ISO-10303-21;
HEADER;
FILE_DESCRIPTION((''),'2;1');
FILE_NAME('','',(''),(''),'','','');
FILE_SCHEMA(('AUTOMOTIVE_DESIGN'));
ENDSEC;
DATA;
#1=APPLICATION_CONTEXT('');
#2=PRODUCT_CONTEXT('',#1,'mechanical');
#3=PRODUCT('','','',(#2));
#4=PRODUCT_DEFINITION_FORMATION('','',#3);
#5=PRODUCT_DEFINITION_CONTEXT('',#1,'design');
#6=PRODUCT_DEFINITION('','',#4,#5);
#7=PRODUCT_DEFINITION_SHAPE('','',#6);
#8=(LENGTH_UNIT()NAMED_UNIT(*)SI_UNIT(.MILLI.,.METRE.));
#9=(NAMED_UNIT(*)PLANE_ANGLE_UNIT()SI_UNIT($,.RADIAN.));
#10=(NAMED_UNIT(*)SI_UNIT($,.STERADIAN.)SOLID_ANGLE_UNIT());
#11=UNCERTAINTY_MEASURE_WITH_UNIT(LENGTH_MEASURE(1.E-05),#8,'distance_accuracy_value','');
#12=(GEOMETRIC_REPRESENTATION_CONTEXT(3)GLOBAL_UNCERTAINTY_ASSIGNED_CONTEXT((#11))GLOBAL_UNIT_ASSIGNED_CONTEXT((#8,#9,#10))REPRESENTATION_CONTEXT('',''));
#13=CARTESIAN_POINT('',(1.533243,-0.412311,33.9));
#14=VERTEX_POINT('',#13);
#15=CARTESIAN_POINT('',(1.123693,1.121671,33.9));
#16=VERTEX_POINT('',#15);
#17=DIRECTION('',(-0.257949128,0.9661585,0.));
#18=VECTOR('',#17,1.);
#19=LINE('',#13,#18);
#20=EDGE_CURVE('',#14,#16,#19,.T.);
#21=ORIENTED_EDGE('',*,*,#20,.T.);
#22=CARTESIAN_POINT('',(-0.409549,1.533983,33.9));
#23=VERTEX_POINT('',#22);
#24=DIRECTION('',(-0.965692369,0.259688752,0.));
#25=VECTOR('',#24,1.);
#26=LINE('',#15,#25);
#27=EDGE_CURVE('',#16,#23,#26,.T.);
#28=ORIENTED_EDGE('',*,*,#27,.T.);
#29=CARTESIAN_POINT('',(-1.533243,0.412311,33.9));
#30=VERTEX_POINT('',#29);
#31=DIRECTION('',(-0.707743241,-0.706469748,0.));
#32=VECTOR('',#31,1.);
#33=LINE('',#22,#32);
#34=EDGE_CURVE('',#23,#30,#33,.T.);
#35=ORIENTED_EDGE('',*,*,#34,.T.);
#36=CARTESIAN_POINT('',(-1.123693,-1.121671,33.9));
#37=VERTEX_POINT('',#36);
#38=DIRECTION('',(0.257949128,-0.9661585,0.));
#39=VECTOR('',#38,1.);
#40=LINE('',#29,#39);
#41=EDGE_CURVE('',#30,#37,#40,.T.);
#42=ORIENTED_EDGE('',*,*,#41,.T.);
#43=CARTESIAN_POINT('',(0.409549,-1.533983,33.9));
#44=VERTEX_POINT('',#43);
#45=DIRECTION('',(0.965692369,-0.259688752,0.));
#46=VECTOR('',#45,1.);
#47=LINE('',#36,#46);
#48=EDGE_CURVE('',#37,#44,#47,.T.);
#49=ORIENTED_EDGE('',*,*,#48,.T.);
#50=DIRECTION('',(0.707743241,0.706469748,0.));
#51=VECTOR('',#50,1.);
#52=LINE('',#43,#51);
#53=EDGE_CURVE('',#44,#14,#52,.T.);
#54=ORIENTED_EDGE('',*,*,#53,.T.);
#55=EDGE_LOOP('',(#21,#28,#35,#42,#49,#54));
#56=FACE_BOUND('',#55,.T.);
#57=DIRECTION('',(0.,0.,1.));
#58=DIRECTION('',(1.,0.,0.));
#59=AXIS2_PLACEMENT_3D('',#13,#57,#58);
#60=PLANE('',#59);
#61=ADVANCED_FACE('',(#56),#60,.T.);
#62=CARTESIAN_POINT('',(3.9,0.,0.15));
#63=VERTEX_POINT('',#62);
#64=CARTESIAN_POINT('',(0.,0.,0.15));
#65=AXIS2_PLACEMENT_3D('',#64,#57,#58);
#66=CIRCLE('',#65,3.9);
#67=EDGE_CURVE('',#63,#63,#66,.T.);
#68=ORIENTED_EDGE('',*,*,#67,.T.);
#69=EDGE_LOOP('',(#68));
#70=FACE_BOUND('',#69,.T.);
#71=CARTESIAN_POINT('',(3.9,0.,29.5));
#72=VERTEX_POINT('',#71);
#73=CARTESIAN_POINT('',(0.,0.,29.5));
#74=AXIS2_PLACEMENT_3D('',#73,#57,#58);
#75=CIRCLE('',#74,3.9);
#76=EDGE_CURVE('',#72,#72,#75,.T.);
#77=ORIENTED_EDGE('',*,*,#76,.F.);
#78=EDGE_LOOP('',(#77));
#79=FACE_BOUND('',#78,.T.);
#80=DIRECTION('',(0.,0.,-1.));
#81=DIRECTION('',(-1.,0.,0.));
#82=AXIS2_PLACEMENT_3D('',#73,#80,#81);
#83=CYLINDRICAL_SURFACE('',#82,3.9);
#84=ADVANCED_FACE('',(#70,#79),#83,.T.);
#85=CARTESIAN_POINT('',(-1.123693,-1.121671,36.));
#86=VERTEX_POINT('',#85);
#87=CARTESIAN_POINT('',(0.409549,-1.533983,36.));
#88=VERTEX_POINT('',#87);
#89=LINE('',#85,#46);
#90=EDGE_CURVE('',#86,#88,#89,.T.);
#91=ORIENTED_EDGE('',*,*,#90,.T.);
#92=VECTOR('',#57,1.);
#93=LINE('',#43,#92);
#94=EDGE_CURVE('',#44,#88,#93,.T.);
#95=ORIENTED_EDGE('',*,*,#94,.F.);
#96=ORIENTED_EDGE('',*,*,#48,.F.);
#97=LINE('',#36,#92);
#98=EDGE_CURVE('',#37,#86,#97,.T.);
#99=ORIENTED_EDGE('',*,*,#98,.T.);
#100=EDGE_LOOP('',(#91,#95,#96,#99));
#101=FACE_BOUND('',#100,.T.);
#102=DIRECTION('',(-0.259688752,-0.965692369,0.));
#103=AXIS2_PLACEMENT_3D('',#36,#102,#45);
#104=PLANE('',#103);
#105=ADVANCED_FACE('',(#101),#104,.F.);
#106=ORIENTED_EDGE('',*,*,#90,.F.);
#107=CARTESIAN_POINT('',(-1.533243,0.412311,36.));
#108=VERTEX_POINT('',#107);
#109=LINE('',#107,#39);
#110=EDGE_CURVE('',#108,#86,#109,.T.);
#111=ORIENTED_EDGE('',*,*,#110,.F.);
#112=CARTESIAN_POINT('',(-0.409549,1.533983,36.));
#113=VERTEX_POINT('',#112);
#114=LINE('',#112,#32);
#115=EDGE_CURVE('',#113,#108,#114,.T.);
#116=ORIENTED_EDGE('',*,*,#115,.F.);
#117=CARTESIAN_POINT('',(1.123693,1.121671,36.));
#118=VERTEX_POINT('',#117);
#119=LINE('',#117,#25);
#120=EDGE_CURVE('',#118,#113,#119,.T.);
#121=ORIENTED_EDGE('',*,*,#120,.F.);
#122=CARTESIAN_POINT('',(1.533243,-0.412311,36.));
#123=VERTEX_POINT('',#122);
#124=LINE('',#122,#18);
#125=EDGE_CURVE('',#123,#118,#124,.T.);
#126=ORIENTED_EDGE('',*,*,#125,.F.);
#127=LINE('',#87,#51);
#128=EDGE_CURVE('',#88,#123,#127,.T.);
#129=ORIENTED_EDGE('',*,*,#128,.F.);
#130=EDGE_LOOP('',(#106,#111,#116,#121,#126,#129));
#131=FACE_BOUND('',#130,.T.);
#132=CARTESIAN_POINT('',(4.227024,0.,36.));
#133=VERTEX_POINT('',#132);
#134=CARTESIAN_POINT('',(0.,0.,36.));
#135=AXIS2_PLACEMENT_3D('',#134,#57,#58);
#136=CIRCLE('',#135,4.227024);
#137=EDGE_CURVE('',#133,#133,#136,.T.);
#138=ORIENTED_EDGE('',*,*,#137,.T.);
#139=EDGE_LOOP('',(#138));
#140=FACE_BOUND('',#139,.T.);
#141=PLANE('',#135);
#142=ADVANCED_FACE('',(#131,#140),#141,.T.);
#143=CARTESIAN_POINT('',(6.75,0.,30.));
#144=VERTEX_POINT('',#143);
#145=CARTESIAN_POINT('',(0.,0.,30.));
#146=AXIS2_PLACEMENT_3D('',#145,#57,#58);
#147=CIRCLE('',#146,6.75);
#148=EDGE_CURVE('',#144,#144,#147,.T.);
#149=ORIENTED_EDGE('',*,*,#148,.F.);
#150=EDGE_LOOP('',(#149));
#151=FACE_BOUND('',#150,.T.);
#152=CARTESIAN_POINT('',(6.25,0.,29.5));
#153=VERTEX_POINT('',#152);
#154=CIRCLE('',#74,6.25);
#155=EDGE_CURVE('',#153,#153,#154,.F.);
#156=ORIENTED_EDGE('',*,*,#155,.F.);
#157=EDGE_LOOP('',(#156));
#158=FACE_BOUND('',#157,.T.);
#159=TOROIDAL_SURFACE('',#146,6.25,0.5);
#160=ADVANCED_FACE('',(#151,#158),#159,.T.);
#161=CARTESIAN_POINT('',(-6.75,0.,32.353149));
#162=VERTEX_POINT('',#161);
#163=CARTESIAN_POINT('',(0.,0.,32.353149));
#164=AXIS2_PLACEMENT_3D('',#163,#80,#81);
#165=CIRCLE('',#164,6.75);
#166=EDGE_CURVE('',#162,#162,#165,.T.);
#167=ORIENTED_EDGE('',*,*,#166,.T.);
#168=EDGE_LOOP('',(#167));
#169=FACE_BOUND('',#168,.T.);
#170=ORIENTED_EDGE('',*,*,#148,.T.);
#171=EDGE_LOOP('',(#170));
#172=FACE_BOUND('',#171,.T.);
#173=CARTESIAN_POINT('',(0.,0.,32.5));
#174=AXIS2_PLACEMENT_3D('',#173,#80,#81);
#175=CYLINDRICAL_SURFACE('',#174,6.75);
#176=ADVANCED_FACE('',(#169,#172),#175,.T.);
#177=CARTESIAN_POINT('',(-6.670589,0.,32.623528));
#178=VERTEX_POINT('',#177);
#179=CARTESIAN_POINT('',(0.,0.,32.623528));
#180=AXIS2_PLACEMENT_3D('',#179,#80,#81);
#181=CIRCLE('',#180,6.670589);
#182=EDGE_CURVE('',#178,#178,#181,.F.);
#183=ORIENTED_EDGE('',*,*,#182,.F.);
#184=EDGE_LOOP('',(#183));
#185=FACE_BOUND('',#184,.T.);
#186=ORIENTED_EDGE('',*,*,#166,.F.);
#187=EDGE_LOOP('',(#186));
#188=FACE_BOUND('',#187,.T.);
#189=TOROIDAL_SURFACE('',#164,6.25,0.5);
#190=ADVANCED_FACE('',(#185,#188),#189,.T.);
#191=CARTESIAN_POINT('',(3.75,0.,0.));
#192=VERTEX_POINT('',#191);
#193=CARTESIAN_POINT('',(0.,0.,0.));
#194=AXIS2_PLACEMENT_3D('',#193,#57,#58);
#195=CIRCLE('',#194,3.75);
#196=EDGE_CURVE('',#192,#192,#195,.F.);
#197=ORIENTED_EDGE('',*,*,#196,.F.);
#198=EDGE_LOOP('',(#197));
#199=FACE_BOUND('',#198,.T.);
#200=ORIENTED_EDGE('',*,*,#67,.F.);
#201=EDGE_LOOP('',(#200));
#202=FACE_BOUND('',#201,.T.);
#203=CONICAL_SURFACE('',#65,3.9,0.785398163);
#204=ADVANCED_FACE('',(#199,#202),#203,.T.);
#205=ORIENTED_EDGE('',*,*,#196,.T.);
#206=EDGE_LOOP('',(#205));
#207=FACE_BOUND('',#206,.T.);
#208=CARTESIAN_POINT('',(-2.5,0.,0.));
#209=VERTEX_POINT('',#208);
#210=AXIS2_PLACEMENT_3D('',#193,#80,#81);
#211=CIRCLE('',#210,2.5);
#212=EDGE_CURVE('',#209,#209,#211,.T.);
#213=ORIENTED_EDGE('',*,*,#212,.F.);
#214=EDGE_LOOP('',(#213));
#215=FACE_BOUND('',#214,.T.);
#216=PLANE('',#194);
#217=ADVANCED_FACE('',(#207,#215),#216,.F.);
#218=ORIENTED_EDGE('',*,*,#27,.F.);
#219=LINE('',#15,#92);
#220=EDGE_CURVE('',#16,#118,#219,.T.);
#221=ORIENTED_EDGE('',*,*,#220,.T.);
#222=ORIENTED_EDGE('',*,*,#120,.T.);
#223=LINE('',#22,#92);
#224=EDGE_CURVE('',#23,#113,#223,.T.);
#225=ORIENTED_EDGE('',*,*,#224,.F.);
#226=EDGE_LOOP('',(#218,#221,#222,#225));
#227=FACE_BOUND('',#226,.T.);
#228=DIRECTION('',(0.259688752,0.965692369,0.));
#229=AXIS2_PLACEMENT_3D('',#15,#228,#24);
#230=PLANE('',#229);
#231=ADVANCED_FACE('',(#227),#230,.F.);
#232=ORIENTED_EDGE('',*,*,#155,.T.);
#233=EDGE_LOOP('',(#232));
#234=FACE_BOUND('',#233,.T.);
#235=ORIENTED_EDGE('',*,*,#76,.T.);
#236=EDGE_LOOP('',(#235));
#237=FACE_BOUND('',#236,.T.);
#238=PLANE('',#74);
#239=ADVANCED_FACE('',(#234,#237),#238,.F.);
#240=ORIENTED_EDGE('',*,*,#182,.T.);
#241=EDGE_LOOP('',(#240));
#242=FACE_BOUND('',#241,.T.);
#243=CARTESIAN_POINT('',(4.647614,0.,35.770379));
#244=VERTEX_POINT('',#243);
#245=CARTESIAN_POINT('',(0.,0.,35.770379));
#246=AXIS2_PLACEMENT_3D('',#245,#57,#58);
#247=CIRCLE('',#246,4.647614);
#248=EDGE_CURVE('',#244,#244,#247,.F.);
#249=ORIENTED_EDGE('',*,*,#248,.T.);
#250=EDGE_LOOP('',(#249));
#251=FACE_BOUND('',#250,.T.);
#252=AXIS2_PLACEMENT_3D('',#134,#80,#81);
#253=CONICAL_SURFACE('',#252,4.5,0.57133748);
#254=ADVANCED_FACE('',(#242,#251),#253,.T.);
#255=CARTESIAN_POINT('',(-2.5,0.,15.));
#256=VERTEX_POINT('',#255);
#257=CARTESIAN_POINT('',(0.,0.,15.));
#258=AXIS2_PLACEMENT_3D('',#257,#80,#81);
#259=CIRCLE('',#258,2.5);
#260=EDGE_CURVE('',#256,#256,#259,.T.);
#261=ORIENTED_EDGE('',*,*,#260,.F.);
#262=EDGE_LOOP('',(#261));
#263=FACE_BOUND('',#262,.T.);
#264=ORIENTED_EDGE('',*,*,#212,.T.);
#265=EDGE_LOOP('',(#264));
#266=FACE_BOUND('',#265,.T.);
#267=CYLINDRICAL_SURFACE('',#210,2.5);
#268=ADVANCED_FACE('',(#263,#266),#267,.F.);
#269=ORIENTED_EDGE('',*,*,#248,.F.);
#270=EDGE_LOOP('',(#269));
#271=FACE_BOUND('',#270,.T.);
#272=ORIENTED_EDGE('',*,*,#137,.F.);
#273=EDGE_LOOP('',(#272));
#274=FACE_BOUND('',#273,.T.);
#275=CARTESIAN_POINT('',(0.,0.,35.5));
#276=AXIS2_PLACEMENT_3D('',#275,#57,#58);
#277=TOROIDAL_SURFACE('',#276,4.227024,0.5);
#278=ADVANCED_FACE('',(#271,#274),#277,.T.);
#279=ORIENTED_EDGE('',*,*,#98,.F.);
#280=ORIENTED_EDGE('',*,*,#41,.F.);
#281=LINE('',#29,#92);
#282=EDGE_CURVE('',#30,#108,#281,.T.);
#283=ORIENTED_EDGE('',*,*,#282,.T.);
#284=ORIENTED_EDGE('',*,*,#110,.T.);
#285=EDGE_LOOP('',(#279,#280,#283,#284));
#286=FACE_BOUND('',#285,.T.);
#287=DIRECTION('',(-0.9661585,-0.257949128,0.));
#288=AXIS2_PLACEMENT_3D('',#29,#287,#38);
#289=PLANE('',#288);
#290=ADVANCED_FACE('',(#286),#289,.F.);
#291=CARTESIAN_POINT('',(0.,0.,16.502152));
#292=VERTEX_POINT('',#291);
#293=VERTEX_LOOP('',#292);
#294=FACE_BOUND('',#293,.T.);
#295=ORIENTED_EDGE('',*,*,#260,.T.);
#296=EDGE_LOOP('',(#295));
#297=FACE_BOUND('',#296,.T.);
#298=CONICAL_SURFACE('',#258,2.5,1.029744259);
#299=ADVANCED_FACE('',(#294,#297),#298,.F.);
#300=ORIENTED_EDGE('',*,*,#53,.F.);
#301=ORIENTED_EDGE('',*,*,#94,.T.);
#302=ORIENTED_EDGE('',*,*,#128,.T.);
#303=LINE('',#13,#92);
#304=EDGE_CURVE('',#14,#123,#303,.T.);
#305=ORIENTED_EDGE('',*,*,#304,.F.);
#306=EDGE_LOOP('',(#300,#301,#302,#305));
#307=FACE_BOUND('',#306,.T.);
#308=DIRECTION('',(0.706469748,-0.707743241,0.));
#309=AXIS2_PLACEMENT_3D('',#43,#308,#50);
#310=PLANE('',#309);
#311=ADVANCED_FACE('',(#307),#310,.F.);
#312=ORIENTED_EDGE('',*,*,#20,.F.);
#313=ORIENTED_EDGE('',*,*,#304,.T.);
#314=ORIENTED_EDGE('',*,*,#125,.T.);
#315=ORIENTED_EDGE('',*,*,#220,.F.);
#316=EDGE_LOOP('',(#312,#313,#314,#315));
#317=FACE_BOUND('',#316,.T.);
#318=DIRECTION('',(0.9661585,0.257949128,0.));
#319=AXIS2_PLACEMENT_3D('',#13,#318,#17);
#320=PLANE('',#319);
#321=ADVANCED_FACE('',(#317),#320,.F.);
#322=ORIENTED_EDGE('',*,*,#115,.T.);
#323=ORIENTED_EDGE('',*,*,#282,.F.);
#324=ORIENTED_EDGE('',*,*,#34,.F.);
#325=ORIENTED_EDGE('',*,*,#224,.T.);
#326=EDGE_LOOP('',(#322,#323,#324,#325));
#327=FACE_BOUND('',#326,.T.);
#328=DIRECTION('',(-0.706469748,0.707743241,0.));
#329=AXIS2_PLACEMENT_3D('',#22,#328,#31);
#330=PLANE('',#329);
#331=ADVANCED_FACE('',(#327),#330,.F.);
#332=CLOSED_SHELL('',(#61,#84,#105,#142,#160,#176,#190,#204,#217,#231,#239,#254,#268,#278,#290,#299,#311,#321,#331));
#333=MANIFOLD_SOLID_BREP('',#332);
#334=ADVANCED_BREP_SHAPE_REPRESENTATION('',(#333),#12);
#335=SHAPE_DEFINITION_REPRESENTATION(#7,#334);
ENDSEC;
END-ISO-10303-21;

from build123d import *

# Parameters (mm, degrees)
SKETCH1_R             = 3.9
BOSS_EXTRUDE1_DEPTH   = 29.5
SKETCH2_R             = 6.75
BOSS_EXTRUDE2_DEPTH   = 3
SKETCH3_R             = 4.5
FILLET1_R             = 0.5
CUT_EXTRUDE1_DEPTH    = 2.1
M6_TAPPED_HOLE1_D     = 5
M6_TAPPED_HOLE1_DEPTH = 15
M6_TAPPED_HOLE1_TIP   = 1.502151548
CHAMFER1_SIZE         = 0.15


with BuildPart() as part:
    # Sketch1 → Boss-Extrude1 (new body)
    with BuildSketch(Plane.XY):
        Circle(SKETCH1_R)
    extrude(amount=BOSS_EXTRUDE1_DEPTH)

    # Sketch2 → Boss-Extrude2 (add)
    with BuildSketch(Plane.XY.offset(29.5)):
        Circle(SKETCH2_R)
    extrude(amount=BOSS_EXTRUDE2_DEPTH)

    # Sketch3 → section 1 of loft1
    with BuildSketch(Plane.XY.offset(36), mode=Mode.PRIVATE) as loft1_s1:
        Circle(SKETCH3_R)
    # loft up to a face of the part (loft1)
    loft([Face(Wire([part.edges().sort_by_distance((-4.620692965, 4.920538235, 32.5))[0]])), loft1_s1.sketch])

    # Fillet1
    fillet1_edges = [part.edges().sort_by_distance(p)[0] for p in [
        (-6.75, 0, 29.5),
        (-6.75, 0, 32.5),
        (-4.5, 0, 36),
    ]]
    fillet(fillet1_edges, radius=FILLET1_R)

    # Sketch6 → Cut-Extrude1 (cut)
    with BuildSketch(Plane.XY.offset(36)):
        Polygon((1.533242561, -0.412311271), (1.123693315, 1.121671372), (-0.409549246, 1.533982643), (-1.533242561, 0.412311271), (-1.123693315, -1.121671372), (0.409549246, -1.533982643), align=None)
    extrude(amount=-CUT_EXTRUDE1_DEPTH, mode=Mode.SUBTRACT)

    # M6 Tapped Hole1
    with Locations(Plane(origin=(0, 0, 0), x_dir=(-1, 0, 0), z_dir=(0, 0, -1))):
        with Locations((0, 0)):
            Hole(M6_TAPPED_HOLE1_D / 2, depth=M6_TAPPED_HOLE1_DEPTH)
            with Locations((0, 0, -(M6_TAPPED_HOLE1_DEPTH + M6_TAPPED_HOLE1_TIP / 2))):  # 118° drill point
                Cone(0, M6_TAPPED_HOLE1_D / 2, M6_TAPPED_HOLE1_TIP, mode=Mode.SUBTRACT)

    # Chamfer1
    chamfer1_edges = [part.edges().sort_by_distance(p)[0] for p in [
        (-3.9, 0, 0),
    ]]
    chamfer(chamfer1_edges, length=CHAMFER1_SIZE)


solid = part.part
